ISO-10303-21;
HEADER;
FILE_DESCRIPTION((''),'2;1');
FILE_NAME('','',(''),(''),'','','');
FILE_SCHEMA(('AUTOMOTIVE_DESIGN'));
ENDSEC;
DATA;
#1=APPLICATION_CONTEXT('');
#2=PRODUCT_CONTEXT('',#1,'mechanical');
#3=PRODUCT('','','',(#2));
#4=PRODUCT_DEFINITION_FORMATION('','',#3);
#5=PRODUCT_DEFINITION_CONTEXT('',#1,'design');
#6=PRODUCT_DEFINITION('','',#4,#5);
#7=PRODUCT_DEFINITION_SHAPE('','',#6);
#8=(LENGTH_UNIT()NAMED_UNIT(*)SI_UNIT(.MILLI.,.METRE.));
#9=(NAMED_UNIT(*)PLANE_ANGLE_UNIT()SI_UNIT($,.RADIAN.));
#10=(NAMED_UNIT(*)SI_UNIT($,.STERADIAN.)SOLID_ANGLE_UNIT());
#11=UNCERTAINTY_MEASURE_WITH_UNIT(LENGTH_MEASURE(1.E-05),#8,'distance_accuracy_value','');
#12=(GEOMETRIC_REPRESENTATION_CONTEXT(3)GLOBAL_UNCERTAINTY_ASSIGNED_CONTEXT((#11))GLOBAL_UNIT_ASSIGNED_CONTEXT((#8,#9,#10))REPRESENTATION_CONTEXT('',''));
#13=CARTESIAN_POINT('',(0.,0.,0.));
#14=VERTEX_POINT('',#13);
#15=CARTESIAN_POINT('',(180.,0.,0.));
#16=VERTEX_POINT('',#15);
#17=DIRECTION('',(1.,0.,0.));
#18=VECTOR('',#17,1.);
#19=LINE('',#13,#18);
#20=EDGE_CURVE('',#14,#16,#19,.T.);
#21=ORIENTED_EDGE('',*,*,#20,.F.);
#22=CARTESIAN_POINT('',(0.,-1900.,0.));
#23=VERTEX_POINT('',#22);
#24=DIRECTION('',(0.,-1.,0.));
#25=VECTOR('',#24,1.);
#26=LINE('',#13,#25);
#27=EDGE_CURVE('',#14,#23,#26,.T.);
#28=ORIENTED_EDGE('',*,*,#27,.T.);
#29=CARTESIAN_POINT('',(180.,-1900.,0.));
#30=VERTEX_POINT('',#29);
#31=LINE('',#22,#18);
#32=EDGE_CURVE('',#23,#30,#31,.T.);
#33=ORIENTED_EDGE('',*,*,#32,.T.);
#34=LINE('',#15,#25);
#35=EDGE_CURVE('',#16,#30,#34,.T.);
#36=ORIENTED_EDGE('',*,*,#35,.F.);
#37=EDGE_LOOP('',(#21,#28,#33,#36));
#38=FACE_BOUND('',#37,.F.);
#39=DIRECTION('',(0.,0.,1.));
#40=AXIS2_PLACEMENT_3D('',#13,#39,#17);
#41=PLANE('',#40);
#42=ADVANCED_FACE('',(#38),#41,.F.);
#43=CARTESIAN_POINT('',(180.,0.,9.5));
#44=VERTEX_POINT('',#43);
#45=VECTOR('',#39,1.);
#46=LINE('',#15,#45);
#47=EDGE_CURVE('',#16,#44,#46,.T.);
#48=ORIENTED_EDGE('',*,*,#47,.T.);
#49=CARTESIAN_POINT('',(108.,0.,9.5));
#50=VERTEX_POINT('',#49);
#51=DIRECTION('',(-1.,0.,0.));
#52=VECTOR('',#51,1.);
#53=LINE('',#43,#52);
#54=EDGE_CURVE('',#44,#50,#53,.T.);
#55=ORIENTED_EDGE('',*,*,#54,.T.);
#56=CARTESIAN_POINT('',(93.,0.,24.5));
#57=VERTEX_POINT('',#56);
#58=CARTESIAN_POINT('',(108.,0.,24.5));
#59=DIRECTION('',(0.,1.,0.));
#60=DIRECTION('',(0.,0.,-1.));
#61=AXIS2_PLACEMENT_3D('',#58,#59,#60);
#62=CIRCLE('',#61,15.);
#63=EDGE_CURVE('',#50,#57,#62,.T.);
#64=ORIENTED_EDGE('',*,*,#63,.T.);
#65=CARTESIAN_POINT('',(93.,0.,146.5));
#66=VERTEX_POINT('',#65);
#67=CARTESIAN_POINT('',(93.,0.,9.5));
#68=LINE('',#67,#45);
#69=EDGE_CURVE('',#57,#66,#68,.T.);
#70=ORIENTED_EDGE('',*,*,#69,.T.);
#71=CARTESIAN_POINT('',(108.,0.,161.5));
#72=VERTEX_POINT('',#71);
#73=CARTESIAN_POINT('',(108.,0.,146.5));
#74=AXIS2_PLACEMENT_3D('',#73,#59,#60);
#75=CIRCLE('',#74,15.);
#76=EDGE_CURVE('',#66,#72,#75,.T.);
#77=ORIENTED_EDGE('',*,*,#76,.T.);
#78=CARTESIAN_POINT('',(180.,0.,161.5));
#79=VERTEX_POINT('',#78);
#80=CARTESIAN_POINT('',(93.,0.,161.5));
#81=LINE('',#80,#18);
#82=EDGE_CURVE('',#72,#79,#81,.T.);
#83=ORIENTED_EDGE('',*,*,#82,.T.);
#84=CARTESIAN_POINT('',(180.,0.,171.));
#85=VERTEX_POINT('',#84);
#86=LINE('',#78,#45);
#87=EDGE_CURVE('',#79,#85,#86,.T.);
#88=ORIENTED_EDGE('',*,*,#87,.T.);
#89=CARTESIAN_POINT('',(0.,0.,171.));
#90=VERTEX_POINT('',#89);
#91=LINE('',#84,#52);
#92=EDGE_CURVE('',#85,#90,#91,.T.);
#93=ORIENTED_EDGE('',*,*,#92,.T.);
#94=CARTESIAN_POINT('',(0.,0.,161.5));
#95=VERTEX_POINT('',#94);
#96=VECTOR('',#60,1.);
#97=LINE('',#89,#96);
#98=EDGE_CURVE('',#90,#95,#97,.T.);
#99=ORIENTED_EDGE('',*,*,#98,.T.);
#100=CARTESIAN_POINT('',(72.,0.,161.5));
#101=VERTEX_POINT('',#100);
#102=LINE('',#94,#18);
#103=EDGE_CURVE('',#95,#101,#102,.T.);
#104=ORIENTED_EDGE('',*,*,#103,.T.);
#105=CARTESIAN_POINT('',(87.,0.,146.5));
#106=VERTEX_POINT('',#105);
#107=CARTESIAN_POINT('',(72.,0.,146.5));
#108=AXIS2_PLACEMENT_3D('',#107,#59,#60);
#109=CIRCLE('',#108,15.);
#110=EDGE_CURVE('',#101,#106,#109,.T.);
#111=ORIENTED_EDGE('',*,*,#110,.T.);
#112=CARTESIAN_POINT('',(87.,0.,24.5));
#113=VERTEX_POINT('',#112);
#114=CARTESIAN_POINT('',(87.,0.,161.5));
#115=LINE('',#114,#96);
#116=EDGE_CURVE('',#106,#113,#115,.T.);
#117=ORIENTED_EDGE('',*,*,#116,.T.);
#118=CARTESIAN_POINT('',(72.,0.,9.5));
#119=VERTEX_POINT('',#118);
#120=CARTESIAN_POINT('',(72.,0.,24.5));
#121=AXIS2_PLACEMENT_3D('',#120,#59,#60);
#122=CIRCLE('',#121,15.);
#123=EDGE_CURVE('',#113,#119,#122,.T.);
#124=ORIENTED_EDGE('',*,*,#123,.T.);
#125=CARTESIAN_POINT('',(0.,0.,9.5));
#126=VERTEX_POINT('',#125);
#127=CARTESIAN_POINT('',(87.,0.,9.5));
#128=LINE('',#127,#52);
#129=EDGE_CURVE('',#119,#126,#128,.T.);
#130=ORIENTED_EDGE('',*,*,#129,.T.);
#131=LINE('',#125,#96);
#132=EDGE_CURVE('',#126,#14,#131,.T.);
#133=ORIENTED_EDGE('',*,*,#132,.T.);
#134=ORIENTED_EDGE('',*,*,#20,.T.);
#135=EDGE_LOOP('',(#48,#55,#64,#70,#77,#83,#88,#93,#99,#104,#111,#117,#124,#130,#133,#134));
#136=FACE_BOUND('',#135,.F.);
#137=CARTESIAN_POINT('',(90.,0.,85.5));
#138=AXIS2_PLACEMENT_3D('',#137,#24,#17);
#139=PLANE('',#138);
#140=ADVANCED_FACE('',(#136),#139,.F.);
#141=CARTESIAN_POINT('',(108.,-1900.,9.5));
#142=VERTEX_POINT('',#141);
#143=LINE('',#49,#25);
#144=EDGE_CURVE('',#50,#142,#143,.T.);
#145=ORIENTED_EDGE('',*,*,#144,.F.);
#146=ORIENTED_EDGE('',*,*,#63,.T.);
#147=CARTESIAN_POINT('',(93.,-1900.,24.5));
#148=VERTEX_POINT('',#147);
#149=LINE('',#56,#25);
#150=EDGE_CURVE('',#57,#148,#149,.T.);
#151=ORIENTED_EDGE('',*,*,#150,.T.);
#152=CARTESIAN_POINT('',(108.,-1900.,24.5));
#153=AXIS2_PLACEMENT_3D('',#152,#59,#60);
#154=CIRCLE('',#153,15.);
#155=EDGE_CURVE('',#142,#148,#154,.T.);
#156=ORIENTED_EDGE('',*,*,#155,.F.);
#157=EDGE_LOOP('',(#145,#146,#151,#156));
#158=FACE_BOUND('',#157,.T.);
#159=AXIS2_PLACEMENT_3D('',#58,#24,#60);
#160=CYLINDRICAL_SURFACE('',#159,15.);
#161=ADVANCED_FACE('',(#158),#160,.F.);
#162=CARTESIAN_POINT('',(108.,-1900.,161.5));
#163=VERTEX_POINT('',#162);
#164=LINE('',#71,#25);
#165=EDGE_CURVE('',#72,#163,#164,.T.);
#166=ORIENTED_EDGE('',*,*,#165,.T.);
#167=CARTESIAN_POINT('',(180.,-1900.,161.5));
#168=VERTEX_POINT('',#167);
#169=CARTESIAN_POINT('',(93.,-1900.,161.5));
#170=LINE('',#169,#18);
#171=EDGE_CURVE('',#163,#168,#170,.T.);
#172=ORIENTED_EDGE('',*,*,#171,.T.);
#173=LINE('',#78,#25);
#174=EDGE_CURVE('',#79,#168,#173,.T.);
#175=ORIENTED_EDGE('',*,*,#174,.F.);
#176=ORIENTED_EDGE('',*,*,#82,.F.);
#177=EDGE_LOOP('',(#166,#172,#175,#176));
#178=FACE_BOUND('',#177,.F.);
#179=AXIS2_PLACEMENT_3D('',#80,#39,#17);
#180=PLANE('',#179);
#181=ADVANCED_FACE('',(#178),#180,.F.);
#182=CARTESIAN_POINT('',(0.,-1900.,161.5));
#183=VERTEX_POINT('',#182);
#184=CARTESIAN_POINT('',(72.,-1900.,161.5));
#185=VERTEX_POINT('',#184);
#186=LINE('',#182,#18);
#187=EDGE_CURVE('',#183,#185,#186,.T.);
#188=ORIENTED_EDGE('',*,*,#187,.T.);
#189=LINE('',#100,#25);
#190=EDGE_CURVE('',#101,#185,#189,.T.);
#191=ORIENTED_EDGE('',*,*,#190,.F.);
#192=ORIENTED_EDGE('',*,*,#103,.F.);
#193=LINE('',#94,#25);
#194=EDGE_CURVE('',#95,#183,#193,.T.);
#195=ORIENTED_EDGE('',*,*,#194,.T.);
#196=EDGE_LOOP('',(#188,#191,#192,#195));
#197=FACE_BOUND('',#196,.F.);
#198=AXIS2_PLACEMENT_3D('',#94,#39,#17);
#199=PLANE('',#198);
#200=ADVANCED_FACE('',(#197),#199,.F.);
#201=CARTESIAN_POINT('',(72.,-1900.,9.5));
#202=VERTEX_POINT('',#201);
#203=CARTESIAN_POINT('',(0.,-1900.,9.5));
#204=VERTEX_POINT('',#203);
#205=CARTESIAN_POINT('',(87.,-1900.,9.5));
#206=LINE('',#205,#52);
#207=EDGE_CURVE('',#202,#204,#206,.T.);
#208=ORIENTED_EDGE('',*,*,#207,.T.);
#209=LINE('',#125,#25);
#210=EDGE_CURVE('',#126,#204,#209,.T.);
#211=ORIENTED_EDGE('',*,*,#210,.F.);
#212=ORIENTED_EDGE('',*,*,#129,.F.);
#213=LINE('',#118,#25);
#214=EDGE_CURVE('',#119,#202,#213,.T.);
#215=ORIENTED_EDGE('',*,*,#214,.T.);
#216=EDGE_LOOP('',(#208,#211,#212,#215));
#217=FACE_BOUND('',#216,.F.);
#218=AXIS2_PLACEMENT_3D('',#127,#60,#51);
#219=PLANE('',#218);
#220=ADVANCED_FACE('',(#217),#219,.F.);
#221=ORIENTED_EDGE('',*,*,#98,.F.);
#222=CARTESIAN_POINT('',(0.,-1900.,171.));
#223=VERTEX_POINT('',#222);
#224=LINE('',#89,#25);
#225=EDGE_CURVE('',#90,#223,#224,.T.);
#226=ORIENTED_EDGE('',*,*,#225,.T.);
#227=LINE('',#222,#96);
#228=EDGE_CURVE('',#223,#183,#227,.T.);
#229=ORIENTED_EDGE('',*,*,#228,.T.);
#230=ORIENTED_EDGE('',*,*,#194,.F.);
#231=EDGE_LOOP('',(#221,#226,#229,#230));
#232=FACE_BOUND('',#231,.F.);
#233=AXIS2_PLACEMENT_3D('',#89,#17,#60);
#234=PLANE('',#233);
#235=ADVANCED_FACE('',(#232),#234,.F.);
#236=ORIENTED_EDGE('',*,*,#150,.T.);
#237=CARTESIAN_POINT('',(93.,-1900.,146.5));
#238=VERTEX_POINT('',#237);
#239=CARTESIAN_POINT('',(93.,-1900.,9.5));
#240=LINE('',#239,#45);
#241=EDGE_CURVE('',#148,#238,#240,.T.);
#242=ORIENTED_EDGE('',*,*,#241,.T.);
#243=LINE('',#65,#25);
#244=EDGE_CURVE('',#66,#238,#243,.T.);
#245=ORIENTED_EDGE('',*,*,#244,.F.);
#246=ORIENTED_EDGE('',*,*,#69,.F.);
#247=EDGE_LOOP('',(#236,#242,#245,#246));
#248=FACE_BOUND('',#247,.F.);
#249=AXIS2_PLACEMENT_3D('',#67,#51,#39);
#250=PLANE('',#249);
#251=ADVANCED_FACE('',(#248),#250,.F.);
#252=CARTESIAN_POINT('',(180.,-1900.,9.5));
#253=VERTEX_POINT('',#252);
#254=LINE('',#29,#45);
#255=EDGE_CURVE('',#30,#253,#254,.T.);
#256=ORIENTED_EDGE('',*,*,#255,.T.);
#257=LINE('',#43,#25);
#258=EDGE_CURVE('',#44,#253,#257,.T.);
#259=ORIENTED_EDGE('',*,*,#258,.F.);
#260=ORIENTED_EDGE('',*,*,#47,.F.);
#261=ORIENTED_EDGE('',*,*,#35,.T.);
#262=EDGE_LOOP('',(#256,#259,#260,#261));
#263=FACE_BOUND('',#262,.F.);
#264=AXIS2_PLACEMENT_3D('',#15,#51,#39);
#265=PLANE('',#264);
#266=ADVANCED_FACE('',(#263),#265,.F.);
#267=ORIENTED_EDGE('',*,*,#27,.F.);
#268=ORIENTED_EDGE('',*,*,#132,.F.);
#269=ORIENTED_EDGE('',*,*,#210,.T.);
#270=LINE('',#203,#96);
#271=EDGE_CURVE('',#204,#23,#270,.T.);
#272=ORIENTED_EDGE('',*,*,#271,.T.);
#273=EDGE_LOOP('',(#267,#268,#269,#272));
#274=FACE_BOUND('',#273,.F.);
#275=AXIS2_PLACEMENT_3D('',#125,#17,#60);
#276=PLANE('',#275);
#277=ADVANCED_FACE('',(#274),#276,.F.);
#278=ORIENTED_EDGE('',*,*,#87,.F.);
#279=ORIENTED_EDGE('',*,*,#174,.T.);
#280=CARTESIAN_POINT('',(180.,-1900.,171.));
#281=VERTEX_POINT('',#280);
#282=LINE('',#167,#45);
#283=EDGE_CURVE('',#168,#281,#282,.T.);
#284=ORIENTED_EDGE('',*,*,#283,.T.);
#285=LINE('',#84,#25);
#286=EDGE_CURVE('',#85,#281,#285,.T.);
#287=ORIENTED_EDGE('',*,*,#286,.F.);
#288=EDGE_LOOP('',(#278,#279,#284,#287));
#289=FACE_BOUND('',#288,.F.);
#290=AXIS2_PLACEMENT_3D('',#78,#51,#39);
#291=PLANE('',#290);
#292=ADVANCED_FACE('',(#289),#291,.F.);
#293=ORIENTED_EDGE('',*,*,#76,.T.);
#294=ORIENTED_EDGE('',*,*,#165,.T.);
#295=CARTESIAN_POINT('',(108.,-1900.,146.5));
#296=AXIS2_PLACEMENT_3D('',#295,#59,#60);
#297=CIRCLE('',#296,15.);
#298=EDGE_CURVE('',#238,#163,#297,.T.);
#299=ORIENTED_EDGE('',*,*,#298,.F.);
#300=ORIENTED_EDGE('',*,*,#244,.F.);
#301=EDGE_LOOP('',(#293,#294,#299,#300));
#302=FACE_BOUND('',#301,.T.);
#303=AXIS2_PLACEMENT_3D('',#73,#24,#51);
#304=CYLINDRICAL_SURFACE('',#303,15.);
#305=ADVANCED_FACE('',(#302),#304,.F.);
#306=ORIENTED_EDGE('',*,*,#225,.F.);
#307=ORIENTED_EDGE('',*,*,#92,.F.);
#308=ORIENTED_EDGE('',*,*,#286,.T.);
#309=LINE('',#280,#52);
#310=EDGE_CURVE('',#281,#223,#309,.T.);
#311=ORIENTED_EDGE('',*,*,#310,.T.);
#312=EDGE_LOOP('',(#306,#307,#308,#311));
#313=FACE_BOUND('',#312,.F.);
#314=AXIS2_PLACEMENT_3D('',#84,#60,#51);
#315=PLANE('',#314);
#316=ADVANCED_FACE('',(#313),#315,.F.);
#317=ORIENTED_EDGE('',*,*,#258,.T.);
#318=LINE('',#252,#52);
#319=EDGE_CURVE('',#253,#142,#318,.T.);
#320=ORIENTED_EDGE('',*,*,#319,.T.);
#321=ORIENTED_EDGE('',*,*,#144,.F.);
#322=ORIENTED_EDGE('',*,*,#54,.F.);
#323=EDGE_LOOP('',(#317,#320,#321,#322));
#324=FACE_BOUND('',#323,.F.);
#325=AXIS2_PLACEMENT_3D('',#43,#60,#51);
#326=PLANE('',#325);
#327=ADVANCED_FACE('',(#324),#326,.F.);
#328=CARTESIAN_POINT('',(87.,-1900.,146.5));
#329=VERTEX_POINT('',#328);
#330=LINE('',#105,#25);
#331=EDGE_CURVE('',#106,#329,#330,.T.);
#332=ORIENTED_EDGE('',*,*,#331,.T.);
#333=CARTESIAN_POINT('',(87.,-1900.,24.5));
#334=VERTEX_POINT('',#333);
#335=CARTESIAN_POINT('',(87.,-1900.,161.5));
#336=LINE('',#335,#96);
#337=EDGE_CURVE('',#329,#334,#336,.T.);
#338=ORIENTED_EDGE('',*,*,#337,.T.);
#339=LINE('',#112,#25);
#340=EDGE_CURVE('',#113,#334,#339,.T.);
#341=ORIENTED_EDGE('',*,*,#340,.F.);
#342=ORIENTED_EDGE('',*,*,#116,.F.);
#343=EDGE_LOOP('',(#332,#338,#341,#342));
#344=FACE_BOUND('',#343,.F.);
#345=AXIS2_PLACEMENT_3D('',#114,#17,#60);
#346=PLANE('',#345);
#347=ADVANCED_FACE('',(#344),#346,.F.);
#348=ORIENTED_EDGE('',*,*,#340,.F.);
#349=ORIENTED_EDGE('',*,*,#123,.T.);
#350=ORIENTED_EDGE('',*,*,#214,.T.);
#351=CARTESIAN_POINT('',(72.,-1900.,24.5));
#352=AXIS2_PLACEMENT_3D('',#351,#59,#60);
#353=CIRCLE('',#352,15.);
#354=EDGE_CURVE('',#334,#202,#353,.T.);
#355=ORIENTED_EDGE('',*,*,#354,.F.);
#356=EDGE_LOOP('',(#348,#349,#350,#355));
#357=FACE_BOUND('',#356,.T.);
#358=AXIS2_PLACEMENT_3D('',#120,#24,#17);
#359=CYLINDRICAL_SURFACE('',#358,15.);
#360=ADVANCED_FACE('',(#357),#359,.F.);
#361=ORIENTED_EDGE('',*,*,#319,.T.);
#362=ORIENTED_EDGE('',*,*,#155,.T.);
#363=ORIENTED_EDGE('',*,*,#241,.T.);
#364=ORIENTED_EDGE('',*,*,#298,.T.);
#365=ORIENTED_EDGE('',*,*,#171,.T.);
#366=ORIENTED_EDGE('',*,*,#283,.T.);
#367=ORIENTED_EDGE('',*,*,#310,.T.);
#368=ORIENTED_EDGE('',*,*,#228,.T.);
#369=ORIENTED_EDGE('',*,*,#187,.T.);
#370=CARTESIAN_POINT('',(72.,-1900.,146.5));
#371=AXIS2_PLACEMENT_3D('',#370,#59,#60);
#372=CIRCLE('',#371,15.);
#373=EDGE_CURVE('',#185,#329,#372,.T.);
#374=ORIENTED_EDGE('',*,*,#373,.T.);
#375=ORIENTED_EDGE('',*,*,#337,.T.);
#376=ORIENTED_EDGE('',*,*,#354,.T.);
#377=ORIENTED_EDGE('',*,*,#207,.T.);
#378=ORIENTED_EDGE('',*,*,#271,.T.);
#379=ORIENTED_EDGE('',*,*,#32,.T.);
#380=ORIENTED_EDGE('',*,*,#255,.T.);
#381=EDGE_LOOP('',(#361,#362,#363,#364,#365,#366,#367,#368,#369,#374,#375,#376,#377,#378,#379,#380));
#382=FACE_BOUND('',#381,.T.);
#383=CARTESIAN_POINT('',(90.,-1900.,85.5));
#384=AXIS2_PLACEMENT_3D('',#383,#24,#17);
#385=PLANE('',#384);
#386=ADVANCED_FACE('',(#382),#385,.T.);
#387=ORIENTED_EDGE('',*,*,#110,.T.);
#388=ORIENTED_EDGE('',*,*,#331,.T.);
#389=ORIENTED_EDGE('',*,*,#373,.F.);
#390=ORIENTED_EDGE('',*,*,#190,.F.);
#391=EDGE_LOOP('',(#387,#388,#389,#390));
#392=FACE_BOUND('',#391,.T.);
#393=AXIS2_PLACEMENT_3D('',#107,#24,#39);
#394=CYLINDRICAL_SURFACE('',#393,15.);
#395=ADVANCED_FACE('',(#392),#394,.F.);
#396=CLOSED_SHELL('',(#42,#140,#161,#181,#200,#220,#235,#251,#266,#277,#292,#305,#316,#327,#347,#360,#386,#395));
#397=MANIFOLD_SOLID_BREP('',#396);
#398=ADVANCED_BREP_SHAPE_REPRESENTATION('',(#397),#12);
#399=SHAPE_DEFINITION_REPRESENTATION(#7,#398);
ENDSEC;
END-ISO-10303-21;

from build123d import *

# Parameters (mm, degrees)
F1_DEPTH = 1900
F2_R     = 15


with BuildPart() as f1:
    # F0 (on Front) → F1 (new body)
    with BuildSketch(Plane.XZ):
        Polygon((0, 9.5), (0, 0), (180, 0), (180, 9.5), (93, 9.5), (93, 161.5), (180, 161.5), (180, 171), (0, 171), (0, 161.5), (87, 161.5), (87, 9.5), align=None)
    extrude(amount=F1_DEPTH)

    # F2
    f2_edges = [f1.edges().sort_by_distance(p)[0] for p in [
        (93, -950, 9.5),
        (93, -950, 161.5),
        (87, -950, 161.5),
        (87, -950, 9.5),
    ]]
    fillet(f2_edges, radius=F2_R)


solid = f1.part
